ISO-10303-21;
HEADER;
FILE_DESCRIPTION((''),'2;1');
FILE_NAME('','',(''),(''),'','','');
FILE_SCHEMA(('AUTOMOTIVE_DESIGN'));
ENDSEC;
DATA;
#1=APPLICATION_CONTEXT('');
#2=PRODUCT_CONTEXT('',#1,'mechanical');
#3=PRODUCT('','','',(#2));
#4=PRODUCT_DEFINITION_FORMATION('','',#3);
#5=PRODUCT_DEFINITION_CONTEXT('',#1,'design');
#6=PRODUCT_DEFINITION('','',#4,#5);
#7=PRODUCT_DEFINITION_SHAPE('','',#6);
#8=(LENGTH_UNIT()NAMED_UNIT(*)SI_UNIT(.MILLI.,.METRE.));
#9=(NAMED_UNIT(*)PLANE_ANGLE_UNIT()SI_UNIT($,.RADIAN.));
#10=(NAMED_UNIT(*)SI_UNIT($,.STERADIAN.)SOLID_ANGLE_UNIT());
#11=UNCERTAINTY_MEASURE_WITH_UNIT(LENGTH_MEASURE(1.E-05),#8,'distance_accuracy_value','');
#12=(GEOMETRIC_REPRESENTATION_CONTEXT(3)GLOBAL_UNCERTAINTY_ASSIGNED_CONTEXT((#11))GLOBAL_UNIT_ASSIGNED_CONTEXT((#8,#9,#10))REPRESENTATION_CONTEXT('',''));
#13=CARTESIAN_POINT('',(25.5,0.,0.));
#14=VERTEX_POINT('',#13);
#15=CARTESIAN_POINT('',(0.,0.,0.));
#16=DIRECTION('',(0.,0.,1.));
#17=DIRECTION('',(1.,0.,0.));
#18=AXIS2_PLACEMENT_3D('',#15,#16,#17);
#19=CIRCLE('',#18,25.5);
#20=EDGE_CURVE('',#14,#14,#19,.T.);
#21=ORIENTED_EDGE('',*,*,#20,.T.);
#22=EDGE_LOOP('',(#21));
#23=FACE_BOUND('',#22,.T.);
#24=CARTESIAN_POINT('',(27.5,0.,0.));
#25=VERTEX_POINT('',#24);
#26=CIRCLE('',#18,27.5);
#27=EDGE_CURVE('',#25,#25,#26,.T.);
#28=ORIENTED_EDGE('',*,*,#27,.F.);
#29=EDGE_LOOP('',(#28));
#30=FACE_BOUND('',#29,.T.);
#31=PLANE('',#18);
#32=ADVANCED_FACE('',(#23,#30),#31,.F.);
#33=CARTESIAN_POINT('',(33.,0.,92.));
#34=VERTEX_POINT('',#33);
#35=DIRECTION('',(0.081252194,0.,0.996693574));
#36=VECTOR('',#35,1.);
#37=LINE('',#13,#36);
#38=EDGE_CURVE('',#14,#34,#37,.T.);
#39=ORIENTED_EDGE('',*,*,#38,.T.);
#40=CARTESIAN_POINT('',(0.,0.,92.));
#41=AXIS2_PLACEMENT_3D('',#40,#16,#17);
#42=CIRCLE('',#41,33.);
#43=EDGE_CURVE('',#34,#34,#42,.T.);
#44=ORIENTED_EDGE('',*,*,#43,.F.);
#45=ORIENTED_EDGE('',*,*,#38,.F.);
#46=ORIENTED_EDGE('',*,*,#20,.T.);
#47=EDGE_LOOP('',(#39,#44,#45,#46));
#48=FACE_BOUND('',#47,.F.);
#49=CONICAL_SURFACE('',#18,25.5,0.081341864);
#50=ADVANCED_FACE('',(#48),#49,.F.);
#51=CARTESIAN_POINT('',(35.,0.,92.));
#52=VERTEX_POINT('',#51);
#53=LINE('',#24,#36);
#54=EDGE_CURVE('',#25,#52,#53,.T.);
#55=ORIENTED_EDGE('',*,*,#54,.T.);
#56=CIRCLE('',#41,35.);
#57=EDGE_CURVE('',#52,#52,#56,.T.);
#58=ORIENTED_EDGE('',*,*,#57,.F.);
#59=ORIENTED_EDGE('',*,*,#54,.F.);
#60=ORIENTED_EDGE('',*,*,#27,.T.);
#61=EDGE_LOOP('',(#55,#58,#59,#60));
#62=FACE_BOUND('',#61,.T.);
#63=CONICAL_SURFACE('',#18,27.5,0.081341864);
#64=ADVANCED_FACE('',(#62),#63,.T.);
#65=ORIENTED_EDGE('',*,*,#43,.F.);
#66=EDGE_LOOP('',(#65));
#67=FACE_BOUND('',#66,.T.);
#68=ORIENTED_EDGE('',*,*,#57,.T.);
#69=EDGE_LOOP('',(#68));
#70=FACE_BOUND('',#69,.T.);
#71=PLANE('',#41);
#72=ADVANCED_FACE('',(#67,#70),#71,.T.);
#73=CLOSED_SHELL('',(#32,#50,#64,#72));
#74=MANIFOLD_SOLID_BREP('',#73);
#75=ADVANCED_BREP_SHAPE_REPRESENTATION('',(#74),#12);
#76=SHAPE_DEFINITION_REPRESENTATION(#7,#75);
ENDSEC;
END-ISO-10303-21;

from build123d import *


with BuildPart() as cone006:
    # Cone006 → Cone006 (revolve)
    with BuildSketch(Plane.XZ):
        Polygon((0, 0), (25.5, 0), (33, 92), (0, 92), align=None)
    revolve(axis=Axis((0, 0, 0), (0, 0, 1)))


with BuildPart() as cut006:
    # Cone005 → Cone005 (revolve)
    with BuildSketch(Plane.XZ):
        Polygon((0, 0), (27.5, 0), (35, 92), (0, 92), align=None)
    revolve(axis=Axis((0, 0, 0), (0, 0, 1)))

    # Cut006: cut Cone006
    add(cone006.part, mode=Mode.SUBTRACT)


solid = cut006.part
